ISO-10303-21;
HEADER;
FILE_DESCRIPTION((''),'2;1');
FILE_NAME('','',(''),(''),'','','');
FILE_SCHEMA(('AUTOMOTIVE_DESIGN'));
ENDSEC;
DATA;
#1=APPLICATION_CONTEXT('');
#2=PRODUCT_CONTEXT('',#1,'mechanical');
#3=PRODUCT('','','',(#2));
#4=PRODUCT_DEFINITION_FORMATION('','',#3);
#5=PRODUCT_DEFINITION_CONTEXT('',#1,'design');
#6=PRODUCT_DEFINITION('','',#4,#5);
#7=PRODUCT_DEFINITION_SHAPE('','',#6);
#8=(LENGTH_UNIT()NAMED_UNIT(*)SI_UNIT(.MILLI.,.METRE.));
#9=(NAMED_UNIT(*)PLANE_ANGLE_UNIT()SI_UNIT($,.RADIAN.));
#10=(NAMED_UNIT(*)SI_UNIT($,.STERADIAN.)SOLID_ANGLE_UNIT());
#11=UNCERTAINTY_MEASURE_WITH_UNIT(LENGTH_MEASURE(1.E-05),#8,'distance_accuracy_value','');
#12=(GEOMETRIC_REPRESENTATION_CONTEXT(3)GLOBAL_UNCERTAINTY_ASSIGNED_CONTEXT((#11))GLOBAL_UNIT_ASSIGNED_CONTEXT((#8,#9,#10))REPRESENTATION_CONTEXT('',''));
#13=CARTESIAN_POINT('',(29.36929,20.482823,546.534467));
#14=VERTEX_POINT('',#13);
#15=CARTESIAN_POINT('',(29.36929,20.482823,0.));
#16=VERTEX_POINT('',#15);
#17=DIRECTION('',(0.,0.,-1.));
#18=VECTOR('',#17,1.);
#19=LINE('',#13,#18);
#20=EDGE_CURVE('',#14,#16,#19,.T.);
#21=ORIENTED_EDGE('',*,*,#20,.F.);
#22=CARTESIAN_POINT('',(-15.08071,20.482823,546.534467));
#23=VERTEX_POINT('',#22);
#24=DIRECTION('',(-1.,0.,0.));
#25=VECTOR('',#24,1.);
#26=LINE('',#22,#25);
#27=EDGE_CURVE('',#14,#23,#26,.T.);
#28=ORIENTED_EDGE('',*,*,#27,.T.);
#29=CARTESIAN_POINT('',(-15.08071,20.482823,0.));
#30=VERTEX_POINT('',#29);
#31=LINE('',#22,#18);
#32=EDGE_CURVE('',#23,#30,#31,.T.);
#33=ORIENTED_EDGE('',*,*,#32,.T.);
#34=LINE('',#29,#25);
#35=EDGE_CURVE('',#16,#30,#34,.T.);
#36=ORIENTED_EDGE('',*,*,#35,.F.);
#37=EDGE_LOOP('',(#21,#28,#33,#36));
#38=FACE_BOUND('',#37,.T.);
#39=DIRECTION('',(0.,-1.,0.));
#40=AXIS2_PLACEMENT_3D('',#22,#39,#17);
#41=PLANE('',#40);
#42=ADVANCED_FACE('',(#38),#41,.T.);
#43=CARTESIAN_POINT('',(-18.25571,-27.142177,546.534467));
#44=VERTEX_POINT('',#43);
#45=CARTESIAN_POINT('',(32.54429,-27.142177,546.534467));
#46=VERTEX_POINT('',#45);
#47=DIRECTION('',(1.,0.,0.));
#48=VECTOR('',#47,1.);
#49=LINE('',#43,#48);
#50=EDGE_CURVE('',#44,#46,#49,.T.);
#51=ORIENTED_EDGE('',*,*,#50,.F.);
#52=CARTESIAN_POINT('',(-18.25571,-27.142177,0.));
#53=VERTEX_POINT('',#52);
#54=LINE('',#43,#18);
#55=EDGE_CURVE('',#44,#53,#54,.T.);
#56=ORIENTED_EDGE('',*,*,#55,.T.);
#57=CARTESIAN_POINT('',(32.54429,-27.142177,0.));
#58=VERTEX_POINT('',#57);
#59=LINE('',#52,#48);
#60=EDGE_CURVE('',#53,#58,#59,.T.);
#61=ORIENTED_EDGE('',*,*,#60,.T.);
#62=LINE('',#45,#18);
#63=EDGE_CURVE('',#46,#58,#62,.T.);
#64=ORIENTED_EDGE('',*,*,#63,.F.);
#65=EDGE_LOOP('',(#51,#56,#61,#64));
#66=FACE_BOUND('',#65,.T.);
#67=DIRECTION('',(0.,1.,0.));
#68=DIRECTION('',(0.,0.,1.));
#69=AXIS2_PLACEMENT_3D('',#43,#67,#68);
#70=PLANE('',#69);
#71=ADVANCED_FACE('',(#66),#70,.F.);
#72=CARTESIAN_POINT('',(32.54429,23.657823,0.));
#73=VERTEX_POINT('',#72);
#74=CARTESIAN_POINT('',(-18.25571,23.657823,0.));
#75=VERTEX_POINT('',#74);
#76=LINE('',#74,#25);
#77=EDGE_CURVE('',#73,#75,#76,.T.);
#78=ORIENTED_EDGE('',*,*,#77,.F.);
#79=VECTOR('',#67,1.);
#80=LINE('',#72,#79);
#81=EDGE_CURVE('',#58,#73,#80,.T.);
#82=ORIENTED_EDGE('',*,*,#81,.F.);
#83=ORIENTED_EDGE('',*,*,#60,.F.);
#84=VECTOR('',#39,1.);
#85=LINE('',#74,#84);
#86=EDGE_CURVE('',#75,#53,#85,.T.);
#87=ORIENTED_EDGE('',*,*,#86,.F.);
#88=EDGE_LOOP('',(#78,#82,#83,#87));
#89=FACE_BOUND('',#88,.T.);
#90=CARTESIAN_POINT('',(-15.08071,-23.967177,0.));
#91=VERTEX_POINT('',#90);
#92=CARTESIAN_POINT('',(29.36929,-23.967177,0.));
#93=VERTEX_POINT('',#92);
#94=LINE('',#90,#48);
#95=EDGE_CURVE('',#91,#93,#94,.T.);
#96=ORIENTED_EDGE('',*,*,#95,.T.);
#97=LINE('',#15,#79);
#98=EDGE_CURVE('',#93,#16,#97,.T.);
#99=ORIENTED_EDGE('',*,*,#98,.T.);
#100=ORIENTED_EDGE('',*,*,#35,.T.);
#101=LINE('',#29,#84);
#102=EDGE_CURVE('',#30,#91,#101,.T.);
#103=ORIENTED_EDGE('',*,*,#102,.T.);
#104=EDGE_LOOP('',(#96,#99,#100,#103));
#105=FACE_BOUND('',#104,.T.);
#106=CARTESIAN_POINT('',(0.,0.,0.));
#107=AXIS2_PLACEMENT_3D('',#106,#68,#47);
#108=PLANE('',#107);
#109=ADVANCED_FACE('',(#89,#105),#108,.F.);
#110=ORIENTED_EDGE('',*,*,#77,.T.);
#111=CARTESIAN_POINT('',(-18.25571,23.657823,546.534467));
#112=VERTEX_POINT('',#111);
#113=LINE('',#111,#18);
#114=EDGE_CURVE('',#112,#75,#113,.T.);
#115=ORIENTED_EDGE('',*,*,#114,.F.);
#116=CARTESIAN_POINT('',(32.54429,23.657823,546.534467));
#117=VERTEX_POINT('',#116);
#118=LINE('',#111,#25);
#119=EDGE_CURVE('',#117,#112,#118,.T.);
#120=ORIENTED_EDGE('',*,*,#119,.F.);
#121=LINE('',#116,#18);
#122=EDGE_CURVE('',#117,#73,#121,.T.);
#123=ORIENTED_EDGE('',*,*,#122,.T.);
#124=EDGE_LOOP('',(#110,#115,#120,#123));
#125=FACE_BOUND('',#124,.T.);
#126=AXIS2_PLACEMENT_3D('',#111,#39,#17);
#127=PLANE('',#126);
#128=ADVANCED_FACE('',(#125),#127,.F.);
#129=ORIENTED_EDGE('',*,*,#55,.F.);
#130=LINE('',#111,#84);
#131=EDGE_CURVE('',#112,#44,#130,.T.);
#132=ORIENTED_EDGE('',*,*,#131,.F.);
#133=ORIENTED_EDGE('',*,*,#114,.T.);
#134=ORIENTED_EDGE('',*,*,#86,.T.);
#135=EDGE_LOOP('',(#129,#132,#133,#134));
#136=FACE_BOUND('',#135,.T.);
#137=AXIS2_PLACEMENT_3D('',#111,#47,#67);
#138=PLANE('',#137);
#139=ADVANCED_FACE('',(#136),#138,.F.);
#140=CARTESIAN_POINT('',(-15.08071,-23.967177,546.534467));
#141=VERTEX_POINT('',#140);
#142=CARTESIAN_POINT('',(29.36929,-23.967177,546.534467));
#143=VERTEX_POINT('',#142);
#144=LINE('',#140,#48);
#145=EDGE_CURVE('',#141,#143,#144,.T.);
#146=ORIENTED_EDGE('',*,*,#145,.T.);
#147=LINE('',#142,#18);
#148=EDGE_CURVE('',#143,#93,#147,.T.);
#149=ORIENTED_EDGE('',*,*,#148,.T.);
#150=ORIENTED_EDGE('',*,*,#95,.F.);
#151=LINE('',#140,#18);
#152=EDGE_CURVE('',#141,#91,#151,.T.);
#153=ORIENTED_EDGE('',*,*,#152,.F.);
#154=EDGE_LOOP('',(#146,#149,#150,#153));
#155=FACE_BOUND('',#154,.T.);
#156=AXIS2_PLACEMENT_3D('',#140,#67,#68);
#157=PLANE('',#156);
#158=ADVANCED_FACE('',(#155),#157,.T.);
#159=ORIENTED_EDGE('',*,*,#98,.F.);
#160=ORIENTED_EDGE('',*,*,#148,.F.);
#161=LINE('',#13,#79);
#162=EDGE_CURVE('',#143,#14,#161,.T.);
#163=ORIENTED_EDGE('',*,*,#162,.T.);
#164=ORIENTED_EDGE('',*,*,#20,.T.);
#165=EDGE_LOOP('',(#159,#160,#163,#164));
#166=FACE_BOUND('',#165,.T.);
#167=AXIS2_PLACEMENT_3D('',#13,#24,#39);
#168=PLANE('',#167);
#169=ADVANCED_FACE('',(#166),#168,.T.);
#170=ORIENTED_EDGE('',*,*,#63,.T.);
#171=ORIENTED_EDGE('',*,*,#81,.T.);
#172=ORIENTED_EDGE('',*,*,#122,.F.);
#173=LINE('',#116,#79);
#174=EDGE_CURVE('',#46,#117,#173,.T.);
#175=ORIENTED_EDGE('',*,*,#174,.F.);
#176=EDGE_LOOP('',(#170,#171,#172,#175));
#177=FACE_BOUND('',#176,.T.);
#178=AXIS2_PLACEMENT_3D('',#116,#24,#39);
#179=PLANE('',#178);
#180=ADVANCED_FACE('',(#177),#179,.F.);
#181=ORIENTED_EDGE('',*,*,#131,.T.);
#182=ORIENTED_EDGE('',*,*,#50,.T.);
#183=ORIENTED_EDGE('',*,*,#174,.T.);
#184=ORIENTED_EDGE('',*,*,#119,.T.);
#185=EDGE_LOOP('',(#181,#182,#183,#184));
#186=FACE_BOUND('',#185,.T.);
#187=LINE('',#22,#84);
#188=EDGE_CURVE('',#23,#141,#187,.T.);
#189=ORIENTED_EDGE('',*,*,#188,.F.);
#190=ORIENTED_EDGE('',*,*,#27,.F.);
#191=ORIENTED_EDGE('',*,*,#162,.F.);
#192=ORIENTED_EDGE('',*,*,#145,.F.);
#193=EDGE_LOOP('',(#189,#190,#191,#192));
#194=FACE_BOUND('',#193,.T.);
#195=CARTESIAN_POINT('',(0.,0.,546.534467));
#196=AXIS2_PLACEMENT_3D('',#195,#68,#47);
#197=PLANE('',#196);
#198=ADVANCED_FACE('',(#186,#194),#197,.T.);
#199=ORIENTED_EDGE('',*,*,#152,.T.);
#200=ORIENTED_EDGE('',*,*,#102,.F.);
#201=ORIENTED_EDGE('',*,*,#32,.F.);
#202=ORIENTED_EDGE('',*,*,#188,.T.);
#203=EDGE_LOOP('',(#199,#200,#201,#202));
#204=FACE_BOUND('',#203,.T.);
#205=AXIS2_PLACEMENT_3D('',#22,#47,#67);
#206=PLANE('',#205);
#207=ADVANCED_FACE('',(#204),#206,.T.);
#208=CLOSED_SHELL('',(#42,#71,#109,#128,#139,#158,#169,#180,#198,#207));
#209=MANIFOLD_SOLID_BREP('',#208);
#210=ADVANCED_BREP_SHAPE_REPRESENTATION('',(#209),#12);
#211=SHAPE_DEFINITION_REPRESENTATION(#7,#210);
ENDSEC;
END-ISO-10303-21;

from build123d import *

# Parameters (mm, degrees)
SKETCH1_W           = 50.8
SKETCH1_H           = 50.8
SKETCH1_W_2         = 44.45
SKETCH1_H_2         = 44.45
BOSS_EXTRUDE2_DEPTH = 546.534467


with BuildPart() as part:
    # Sketch1 → Boss-Extrude2 (new body)
    with BuildSketch(Plane.XY):
        with Locations((7.14428995, -1.742176797)):
            Rectangle(SKETCH1_W, SKETCH1_H)
        with Locations((7.14428995, -1.742176797)):
            Rectangle(SKETCH1_W_2, SKETCH1_H_2, mode=Mode.SUBTRACT)
    extrude(amount=BOSS_EXTRUDE2_DEPTH)


solid = part.part
